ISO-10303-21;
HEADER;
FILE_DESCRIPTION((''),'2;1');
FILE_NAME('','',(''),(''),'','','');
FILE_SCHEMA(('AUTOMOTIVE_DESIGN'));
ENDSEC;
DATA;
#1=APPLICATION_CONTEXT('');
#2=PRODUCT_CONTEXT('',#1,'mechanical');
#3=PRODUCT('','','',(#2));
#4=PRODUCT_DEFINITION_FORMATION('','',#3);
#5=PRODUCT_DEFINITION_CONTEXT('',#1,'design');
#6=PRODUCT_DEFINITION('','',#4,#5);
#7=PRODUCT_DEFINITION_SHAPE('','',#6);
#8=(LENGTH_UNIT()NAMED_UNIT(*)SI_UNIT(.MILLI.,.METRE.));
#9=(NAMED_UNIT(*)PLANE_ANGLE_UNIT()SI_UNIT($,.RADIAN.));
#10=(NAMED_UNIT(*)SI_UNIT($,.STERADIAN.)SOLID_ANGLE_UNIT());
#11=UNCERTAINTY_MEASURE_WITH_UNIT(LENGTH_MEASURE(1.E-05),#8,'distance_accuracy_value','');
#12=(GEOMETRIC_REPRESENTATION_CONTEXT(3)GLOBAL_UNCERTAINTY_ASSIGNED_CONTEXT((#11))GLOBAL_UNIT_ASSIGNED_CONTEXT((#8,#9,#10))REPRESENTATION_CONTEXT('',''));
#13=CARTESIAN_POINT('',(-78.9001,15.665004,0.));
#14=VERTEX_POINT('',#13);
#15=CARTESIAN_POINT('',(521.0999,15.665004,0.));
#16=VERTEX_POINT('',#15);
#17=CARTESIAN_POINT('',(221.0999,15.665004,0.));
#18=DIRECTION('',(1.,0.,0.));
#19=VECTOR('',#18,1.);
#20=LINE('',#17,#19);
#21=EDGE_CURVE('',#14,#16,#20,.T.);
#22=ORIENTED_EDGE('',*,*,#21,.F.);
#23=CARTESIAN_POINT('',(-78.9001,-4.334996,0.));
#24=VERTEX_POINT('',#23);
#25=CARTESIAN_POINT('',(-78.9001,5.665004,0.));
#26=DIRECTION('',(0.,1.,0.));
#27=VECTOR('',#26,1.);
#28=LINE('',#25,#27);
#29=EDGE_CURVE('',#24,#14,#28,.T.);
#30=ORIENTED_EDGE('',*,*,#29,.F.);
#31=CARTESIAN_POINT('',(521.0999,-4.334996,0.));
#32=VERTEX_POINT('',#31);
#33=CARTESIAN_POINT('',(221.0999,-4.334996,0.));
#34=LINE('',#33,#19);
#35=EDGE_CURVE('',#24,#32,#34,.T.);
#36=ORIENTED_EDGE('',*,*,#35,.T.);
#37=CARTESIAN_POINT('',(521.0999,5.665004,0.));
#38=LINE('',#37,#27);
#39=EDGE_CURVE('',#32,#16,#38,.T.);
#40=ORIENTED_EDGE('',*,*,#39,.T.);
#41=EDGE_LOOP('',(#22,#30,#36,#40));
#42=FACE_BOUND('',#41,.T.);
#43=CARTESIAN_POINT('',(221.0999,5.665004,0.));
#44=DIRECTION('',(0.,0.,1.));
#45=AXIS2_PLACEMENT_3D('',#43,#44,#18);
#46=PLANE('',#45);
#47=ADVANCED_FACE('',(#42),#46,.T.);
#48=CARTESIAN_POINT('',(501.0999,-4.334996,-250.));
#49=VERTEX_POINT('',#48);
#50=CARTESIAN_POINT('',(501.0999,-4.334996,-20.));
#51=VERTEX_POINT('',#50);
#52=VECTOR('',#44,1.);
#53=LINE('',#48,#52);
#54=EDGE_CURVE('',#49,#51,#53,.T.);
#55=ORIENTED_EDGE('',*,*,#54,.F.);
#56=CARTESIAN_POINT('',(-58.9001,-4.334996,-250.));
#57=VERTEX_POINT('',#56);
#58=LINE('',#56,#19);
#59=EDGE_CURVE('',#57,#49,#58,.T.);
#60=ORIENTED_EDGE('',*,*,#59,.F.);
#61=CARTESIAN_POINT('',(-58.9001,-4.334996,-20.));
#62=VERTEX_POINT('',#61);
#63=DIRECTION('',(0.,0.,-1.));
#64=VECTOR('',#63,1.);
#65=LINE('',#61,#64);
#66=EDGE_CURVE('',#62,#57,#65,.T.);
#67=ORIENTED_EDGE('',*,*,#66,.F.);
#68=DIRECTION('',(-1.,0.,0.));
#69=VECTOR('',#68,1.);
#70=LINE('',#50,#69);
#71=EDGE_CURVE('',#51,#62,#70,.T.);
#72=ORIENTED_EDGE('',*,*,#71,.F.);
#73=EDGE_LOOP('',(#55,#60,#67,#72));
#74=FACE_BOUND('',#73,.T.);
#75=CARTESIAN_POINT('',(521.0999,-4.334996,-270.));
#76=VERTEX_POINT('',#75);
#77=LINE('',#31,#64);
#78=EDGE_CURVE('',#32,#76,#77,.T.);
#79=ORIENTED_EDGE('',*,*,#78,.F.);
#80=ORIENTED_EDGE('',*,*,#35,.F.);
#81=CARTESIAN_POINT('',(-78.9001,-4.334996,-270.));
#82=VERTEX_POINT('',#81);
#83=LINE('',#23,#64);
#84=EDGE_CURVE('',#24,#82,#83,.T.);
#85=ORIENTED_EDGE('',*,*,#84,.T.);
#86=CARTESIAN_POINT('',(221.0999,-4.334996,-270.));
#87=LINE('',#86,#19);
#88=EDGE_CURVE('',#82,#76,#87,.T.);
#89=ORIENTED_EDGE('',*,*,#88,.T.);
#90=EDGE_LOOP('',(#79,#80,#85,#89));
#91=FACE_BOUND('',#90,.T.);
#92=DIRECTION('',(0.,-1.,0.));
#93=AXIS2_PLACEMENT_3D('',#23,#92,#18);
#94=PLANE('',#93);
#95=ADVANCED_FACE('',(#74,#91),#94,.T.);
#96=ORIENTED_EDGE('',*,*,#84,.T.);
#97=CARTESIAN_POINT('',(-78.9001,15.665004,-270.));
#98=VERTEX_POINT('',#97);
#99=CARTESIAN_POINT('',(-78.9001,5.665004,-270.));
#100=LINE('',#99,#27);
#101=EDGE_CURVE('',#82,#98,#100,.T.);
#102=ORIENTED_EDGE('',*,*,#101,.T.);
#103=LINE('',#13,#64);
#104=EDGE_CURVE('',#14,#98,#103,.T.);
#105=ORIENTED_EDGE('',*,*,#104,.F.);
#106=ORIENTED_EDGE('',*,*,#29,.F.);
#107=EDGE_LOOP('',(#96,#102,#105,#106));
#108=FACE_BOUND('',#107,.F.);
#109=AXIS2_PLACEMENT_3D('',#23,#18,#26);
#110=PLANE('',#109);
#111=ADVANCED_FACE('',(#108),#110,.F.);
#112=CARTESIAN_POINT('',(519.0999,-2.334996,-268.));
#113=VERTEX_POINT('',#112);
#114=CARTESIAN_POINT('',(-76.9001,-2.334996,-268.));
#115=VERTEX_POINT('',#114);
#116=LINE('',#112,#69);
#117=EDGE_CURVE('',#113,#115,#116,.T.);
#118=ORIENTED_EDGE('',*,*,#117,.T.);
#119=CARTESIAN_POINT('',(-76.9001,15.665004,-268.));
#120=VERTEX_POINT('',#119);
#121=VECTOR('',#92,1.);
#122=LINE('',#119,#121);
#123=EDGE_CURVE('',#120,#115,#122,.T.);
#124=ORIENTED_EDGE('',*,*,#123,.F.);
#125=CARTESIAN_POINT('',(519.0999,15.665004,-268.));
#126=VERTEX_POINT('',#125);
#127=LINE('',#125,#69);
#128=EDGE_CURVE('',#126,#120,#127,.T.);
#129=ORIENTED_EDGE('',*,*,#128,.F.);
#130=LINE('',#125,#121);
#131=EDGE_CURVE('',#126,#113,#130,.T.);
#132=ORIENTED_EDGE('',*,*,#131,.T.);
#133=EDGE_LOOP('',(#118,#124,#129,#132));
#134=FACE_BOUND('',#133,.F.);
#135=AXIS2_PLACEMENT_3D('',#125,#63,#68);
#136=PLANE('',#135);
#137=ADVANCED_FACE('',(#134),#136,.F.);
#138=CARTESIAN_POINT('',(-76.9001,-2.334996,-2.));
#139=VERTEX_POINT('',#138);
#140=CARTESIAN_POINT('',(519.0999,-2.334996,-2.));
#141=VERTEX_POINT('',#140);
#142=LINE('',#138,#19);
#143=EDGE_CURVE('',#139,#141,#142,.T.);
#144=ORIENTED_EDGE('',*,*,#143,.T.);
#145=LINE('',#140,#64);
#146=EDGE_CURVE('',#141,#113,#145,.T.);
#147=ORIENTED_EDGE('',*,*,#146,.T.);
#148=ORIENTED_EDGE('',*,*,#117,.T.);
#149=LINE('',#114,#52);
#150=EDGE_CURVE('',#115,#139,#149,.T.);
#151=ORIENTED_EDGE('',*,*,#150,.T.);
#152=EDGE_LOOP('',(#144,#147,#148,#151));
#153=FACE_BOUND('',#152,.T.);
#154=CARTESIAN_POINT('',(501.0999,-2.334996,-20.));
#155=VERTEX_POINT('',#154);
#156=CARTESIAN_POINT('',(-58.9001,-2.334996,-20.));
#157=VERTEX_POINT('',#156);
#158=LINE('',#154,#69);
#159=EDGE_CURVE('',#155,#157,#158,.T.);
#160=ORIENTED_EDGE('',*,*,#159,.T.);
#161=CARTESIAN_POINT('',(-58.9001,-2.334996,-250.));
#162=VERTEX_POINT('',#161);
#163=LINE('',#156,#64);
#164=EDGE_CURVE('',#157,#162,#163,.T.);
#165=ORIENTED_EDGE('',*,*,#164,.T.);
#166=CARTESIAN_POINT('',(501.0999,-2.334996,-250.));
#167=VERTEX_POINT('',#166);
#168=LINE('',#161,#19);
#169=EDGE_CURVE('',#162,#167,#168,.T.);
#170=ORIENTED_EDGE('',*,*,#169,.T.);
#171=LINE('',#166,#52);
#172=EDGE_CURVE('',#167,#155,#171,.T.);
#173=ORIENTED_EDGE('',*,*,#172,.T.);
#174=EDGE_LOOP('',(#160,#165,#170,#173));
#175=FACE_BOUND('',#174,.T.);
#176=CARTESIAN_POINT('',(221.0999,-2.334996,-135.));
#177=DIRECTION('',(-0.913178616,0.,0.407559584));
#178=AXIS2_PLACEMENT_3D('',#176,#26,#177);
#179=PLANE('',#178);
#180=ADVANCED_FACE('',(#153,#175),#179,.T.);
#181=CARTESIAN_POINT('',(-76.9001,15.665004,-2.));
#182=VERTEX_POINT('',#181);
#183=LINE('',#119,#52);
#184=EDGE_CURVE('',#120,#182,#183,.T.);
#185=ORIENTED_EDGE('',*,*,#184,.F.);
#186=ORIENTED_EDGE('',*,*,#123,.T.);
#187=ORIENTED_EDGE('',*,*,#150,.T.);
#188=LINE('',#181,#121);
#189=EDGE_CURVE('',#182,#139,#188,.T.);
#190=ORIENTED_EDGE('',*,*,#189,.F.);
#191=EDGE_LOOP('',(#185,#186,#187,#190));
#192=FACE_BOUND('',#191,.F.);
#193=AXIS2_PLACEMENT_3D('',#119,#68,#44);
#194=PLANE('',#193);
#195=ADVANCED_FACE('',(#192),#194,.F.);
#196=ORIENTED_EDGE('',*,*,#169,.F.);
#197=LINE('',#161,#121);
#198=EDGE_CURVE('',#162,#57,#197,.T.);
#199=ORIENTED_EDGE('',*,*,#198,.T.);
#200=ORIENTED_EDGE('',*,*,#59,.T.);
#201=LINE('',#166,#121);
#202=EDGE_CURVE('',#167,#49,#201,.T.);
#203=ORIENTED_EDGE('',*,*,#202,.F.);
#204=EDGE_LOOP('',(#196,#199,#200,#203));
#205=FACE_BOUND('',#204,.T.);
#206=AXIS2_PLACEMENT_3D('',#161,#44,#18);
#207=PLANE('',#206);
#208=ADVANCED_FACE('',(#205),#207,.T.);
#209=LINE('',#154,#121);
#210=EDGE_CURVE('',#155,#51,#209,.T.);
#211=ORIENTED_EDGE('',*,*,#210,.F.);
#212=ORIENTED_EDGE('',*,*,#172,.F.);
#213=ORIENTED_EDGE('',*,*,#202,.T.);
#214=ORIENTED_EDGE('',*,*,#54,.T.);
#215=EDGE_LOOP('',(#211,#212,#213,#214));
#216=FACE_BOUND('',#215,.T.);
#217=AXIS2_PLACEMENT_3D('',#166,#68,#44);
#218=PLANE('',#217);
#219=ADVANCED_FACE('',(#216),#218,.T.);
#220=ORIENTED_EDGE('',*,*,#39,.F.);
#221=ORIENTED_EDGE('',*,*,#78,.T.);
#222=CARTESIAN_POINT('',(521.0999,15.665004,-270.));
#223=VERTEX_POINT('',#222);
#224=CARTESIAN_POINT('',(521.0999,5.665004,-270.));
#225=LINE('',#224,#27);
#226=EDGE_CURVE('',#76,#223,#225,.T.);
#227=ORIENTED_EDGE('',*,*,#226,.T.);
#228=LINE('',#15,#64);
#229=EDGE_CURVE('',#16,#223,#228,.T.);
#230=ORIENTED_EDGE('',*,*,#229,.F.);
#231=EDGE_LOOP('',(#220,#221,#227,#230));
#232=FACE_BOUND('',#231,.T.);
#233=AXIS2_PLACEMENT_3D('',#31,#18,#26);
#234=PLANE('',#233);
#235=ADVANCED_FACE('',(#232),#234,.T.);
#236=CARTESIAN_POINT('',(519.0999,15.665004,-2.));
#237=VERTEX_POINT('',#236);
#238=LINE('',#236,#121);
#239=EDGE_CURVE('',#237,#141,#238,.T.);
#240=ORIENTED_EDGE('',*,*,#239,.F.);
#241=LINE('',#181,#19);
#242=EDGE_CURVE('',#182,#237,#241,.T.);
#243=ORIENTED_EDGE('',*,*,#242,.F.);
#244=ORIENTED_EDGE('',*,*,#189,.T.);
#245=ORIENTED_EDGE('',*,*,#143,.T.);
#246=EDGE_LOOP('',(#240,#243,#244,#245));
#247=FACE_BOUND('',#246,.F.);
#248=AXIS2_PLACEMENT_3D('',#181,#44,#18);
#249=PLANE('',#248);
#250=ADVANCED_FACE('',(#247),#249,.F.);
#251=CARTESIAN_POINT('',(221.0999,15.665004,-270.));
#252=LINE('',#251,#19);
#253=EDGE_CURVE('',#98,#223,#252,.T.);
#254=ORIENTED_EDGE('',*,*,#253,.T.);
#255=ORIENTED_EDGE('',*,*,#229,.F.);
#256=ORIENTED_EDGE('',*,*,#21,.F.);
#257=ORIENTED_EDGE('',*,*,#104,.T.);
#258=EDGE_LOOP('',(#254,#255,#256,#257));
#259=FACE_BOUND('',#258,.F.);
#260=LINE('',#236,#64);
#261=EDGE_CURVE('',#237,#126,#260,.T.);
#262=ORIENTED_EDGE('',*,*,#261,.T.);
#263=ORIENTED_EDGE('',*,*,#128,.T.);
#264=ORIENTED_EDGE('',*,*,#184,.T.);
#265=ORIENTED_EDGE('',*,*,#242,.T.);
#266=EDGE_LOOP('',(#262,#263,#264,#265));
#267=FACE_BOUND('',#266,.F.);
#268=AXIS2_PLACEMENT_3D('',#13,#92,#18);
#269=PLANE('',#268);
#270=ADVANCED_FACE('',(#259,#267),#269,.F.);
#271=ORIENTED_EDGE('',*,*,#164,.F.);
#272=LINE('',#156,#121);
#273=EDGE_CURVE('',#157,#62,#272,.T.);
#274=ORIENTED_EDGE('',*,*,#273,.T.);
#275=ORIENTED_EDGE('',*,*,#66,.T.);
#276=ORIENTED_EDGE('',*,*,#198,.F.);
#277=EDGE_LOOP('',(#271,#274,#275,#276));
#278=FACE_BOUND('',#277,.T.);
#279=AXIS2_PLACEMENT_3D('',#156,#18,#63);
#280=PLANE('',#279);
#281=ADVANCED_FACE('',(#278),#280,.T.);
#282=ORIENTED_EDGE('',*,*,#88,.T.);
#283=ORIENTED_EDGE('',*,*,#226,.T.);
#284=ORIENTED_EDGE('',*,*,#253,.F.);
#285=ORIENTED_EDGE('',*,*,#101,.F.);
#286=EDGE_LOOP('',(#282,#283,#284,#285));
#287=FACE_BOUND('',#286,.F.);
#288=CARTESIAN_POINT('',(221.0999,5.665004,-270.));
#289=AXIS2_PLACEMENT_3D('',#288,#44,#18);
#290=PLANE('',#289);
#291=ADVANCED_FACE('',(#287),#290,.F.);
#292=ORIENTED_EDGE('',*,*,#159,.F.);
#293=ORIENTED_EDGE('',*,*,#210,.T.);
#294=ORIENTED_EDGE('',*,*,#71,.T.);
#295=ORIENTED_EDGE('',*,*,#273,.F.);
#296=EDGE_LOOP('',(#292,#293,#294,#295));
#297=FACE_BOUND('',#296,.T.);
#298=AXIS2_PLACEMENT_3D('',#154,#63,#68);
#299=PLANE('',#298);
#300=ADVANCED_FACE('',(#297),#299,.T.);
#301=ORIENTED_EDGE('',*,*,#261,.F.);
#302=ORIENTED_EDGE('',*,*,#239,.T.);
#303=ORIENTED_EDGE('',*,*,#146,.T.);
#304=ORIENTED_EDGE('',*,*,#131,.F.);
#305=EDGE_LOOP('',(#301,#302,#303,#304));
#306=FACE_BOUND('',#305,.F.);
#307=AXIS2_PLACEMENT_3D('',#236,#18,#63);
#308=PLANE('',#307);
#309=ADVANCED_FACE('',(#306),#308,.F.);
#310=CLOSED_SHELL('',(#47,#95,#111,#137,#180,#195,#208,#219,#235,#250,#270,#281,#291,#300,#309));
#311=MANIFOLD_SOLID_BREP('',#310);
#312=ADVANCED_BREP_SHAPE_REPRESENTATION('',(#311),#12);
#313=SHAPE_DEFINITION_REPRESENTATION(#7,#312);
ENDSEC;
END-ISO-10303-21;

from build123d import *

# Parameters (mm, degrees)
SKETCH1_W           = 600
SKETCH1_H           = 20
BOSS_EXTRUDE1_DEPTH = 270
CUT_EXTRUDE1_DEPTH  = 18
CUT_EXTRUDE2_DEPTH  = 2


with BuildPart() as part:
    # Sketch1 → Boss-Extrude1 (new body)
    with BuildSketch(Plane.XY):
        with Locations((221.099899989, 5.665003505)):
            Rectangle(SKETCH1_W, SKETCH1_H)
    extrude(amount=-BOSS_EXTRUDE1_DEPTH)

    # 3DSketch1 → Cut-Extrude1 (cut)
    with BuildSketch(Plane(origin=(519.099899989, 15.665003505, -268), x_dir=(-0.9131786164814929, 0, 0.4075595838659012), z_dir=(0, 1, 0))):
        Polygon((0, 0), (544.254455423, -242.905511984), (652.665304731, 0), (108.410849308, 242.905511984), align=None)
    extrude(amount=-CUT_EXTRUDE1_DEPTH, mode=Mode.SUBTRACT)

    # 3DSketch2 → Cut-Extrude2 (cut)
    with BuildSketch(Plane(origin=(-58.900100011, -2.334996495, -250), x_dir=(0.9250198183784529, 0, 0.3799188539768646), z_dir=(0, 1, 0))):
        Polygon((0, 0), (518.011098292, 212.754558227), (605.392434707, 0), (87.381336415, -212.754558227), align=None)
    extrude(amount=-CUT_EXTRUDE2_DEPTH, mode=Mode.SUBTRACT)


solid = part.part
